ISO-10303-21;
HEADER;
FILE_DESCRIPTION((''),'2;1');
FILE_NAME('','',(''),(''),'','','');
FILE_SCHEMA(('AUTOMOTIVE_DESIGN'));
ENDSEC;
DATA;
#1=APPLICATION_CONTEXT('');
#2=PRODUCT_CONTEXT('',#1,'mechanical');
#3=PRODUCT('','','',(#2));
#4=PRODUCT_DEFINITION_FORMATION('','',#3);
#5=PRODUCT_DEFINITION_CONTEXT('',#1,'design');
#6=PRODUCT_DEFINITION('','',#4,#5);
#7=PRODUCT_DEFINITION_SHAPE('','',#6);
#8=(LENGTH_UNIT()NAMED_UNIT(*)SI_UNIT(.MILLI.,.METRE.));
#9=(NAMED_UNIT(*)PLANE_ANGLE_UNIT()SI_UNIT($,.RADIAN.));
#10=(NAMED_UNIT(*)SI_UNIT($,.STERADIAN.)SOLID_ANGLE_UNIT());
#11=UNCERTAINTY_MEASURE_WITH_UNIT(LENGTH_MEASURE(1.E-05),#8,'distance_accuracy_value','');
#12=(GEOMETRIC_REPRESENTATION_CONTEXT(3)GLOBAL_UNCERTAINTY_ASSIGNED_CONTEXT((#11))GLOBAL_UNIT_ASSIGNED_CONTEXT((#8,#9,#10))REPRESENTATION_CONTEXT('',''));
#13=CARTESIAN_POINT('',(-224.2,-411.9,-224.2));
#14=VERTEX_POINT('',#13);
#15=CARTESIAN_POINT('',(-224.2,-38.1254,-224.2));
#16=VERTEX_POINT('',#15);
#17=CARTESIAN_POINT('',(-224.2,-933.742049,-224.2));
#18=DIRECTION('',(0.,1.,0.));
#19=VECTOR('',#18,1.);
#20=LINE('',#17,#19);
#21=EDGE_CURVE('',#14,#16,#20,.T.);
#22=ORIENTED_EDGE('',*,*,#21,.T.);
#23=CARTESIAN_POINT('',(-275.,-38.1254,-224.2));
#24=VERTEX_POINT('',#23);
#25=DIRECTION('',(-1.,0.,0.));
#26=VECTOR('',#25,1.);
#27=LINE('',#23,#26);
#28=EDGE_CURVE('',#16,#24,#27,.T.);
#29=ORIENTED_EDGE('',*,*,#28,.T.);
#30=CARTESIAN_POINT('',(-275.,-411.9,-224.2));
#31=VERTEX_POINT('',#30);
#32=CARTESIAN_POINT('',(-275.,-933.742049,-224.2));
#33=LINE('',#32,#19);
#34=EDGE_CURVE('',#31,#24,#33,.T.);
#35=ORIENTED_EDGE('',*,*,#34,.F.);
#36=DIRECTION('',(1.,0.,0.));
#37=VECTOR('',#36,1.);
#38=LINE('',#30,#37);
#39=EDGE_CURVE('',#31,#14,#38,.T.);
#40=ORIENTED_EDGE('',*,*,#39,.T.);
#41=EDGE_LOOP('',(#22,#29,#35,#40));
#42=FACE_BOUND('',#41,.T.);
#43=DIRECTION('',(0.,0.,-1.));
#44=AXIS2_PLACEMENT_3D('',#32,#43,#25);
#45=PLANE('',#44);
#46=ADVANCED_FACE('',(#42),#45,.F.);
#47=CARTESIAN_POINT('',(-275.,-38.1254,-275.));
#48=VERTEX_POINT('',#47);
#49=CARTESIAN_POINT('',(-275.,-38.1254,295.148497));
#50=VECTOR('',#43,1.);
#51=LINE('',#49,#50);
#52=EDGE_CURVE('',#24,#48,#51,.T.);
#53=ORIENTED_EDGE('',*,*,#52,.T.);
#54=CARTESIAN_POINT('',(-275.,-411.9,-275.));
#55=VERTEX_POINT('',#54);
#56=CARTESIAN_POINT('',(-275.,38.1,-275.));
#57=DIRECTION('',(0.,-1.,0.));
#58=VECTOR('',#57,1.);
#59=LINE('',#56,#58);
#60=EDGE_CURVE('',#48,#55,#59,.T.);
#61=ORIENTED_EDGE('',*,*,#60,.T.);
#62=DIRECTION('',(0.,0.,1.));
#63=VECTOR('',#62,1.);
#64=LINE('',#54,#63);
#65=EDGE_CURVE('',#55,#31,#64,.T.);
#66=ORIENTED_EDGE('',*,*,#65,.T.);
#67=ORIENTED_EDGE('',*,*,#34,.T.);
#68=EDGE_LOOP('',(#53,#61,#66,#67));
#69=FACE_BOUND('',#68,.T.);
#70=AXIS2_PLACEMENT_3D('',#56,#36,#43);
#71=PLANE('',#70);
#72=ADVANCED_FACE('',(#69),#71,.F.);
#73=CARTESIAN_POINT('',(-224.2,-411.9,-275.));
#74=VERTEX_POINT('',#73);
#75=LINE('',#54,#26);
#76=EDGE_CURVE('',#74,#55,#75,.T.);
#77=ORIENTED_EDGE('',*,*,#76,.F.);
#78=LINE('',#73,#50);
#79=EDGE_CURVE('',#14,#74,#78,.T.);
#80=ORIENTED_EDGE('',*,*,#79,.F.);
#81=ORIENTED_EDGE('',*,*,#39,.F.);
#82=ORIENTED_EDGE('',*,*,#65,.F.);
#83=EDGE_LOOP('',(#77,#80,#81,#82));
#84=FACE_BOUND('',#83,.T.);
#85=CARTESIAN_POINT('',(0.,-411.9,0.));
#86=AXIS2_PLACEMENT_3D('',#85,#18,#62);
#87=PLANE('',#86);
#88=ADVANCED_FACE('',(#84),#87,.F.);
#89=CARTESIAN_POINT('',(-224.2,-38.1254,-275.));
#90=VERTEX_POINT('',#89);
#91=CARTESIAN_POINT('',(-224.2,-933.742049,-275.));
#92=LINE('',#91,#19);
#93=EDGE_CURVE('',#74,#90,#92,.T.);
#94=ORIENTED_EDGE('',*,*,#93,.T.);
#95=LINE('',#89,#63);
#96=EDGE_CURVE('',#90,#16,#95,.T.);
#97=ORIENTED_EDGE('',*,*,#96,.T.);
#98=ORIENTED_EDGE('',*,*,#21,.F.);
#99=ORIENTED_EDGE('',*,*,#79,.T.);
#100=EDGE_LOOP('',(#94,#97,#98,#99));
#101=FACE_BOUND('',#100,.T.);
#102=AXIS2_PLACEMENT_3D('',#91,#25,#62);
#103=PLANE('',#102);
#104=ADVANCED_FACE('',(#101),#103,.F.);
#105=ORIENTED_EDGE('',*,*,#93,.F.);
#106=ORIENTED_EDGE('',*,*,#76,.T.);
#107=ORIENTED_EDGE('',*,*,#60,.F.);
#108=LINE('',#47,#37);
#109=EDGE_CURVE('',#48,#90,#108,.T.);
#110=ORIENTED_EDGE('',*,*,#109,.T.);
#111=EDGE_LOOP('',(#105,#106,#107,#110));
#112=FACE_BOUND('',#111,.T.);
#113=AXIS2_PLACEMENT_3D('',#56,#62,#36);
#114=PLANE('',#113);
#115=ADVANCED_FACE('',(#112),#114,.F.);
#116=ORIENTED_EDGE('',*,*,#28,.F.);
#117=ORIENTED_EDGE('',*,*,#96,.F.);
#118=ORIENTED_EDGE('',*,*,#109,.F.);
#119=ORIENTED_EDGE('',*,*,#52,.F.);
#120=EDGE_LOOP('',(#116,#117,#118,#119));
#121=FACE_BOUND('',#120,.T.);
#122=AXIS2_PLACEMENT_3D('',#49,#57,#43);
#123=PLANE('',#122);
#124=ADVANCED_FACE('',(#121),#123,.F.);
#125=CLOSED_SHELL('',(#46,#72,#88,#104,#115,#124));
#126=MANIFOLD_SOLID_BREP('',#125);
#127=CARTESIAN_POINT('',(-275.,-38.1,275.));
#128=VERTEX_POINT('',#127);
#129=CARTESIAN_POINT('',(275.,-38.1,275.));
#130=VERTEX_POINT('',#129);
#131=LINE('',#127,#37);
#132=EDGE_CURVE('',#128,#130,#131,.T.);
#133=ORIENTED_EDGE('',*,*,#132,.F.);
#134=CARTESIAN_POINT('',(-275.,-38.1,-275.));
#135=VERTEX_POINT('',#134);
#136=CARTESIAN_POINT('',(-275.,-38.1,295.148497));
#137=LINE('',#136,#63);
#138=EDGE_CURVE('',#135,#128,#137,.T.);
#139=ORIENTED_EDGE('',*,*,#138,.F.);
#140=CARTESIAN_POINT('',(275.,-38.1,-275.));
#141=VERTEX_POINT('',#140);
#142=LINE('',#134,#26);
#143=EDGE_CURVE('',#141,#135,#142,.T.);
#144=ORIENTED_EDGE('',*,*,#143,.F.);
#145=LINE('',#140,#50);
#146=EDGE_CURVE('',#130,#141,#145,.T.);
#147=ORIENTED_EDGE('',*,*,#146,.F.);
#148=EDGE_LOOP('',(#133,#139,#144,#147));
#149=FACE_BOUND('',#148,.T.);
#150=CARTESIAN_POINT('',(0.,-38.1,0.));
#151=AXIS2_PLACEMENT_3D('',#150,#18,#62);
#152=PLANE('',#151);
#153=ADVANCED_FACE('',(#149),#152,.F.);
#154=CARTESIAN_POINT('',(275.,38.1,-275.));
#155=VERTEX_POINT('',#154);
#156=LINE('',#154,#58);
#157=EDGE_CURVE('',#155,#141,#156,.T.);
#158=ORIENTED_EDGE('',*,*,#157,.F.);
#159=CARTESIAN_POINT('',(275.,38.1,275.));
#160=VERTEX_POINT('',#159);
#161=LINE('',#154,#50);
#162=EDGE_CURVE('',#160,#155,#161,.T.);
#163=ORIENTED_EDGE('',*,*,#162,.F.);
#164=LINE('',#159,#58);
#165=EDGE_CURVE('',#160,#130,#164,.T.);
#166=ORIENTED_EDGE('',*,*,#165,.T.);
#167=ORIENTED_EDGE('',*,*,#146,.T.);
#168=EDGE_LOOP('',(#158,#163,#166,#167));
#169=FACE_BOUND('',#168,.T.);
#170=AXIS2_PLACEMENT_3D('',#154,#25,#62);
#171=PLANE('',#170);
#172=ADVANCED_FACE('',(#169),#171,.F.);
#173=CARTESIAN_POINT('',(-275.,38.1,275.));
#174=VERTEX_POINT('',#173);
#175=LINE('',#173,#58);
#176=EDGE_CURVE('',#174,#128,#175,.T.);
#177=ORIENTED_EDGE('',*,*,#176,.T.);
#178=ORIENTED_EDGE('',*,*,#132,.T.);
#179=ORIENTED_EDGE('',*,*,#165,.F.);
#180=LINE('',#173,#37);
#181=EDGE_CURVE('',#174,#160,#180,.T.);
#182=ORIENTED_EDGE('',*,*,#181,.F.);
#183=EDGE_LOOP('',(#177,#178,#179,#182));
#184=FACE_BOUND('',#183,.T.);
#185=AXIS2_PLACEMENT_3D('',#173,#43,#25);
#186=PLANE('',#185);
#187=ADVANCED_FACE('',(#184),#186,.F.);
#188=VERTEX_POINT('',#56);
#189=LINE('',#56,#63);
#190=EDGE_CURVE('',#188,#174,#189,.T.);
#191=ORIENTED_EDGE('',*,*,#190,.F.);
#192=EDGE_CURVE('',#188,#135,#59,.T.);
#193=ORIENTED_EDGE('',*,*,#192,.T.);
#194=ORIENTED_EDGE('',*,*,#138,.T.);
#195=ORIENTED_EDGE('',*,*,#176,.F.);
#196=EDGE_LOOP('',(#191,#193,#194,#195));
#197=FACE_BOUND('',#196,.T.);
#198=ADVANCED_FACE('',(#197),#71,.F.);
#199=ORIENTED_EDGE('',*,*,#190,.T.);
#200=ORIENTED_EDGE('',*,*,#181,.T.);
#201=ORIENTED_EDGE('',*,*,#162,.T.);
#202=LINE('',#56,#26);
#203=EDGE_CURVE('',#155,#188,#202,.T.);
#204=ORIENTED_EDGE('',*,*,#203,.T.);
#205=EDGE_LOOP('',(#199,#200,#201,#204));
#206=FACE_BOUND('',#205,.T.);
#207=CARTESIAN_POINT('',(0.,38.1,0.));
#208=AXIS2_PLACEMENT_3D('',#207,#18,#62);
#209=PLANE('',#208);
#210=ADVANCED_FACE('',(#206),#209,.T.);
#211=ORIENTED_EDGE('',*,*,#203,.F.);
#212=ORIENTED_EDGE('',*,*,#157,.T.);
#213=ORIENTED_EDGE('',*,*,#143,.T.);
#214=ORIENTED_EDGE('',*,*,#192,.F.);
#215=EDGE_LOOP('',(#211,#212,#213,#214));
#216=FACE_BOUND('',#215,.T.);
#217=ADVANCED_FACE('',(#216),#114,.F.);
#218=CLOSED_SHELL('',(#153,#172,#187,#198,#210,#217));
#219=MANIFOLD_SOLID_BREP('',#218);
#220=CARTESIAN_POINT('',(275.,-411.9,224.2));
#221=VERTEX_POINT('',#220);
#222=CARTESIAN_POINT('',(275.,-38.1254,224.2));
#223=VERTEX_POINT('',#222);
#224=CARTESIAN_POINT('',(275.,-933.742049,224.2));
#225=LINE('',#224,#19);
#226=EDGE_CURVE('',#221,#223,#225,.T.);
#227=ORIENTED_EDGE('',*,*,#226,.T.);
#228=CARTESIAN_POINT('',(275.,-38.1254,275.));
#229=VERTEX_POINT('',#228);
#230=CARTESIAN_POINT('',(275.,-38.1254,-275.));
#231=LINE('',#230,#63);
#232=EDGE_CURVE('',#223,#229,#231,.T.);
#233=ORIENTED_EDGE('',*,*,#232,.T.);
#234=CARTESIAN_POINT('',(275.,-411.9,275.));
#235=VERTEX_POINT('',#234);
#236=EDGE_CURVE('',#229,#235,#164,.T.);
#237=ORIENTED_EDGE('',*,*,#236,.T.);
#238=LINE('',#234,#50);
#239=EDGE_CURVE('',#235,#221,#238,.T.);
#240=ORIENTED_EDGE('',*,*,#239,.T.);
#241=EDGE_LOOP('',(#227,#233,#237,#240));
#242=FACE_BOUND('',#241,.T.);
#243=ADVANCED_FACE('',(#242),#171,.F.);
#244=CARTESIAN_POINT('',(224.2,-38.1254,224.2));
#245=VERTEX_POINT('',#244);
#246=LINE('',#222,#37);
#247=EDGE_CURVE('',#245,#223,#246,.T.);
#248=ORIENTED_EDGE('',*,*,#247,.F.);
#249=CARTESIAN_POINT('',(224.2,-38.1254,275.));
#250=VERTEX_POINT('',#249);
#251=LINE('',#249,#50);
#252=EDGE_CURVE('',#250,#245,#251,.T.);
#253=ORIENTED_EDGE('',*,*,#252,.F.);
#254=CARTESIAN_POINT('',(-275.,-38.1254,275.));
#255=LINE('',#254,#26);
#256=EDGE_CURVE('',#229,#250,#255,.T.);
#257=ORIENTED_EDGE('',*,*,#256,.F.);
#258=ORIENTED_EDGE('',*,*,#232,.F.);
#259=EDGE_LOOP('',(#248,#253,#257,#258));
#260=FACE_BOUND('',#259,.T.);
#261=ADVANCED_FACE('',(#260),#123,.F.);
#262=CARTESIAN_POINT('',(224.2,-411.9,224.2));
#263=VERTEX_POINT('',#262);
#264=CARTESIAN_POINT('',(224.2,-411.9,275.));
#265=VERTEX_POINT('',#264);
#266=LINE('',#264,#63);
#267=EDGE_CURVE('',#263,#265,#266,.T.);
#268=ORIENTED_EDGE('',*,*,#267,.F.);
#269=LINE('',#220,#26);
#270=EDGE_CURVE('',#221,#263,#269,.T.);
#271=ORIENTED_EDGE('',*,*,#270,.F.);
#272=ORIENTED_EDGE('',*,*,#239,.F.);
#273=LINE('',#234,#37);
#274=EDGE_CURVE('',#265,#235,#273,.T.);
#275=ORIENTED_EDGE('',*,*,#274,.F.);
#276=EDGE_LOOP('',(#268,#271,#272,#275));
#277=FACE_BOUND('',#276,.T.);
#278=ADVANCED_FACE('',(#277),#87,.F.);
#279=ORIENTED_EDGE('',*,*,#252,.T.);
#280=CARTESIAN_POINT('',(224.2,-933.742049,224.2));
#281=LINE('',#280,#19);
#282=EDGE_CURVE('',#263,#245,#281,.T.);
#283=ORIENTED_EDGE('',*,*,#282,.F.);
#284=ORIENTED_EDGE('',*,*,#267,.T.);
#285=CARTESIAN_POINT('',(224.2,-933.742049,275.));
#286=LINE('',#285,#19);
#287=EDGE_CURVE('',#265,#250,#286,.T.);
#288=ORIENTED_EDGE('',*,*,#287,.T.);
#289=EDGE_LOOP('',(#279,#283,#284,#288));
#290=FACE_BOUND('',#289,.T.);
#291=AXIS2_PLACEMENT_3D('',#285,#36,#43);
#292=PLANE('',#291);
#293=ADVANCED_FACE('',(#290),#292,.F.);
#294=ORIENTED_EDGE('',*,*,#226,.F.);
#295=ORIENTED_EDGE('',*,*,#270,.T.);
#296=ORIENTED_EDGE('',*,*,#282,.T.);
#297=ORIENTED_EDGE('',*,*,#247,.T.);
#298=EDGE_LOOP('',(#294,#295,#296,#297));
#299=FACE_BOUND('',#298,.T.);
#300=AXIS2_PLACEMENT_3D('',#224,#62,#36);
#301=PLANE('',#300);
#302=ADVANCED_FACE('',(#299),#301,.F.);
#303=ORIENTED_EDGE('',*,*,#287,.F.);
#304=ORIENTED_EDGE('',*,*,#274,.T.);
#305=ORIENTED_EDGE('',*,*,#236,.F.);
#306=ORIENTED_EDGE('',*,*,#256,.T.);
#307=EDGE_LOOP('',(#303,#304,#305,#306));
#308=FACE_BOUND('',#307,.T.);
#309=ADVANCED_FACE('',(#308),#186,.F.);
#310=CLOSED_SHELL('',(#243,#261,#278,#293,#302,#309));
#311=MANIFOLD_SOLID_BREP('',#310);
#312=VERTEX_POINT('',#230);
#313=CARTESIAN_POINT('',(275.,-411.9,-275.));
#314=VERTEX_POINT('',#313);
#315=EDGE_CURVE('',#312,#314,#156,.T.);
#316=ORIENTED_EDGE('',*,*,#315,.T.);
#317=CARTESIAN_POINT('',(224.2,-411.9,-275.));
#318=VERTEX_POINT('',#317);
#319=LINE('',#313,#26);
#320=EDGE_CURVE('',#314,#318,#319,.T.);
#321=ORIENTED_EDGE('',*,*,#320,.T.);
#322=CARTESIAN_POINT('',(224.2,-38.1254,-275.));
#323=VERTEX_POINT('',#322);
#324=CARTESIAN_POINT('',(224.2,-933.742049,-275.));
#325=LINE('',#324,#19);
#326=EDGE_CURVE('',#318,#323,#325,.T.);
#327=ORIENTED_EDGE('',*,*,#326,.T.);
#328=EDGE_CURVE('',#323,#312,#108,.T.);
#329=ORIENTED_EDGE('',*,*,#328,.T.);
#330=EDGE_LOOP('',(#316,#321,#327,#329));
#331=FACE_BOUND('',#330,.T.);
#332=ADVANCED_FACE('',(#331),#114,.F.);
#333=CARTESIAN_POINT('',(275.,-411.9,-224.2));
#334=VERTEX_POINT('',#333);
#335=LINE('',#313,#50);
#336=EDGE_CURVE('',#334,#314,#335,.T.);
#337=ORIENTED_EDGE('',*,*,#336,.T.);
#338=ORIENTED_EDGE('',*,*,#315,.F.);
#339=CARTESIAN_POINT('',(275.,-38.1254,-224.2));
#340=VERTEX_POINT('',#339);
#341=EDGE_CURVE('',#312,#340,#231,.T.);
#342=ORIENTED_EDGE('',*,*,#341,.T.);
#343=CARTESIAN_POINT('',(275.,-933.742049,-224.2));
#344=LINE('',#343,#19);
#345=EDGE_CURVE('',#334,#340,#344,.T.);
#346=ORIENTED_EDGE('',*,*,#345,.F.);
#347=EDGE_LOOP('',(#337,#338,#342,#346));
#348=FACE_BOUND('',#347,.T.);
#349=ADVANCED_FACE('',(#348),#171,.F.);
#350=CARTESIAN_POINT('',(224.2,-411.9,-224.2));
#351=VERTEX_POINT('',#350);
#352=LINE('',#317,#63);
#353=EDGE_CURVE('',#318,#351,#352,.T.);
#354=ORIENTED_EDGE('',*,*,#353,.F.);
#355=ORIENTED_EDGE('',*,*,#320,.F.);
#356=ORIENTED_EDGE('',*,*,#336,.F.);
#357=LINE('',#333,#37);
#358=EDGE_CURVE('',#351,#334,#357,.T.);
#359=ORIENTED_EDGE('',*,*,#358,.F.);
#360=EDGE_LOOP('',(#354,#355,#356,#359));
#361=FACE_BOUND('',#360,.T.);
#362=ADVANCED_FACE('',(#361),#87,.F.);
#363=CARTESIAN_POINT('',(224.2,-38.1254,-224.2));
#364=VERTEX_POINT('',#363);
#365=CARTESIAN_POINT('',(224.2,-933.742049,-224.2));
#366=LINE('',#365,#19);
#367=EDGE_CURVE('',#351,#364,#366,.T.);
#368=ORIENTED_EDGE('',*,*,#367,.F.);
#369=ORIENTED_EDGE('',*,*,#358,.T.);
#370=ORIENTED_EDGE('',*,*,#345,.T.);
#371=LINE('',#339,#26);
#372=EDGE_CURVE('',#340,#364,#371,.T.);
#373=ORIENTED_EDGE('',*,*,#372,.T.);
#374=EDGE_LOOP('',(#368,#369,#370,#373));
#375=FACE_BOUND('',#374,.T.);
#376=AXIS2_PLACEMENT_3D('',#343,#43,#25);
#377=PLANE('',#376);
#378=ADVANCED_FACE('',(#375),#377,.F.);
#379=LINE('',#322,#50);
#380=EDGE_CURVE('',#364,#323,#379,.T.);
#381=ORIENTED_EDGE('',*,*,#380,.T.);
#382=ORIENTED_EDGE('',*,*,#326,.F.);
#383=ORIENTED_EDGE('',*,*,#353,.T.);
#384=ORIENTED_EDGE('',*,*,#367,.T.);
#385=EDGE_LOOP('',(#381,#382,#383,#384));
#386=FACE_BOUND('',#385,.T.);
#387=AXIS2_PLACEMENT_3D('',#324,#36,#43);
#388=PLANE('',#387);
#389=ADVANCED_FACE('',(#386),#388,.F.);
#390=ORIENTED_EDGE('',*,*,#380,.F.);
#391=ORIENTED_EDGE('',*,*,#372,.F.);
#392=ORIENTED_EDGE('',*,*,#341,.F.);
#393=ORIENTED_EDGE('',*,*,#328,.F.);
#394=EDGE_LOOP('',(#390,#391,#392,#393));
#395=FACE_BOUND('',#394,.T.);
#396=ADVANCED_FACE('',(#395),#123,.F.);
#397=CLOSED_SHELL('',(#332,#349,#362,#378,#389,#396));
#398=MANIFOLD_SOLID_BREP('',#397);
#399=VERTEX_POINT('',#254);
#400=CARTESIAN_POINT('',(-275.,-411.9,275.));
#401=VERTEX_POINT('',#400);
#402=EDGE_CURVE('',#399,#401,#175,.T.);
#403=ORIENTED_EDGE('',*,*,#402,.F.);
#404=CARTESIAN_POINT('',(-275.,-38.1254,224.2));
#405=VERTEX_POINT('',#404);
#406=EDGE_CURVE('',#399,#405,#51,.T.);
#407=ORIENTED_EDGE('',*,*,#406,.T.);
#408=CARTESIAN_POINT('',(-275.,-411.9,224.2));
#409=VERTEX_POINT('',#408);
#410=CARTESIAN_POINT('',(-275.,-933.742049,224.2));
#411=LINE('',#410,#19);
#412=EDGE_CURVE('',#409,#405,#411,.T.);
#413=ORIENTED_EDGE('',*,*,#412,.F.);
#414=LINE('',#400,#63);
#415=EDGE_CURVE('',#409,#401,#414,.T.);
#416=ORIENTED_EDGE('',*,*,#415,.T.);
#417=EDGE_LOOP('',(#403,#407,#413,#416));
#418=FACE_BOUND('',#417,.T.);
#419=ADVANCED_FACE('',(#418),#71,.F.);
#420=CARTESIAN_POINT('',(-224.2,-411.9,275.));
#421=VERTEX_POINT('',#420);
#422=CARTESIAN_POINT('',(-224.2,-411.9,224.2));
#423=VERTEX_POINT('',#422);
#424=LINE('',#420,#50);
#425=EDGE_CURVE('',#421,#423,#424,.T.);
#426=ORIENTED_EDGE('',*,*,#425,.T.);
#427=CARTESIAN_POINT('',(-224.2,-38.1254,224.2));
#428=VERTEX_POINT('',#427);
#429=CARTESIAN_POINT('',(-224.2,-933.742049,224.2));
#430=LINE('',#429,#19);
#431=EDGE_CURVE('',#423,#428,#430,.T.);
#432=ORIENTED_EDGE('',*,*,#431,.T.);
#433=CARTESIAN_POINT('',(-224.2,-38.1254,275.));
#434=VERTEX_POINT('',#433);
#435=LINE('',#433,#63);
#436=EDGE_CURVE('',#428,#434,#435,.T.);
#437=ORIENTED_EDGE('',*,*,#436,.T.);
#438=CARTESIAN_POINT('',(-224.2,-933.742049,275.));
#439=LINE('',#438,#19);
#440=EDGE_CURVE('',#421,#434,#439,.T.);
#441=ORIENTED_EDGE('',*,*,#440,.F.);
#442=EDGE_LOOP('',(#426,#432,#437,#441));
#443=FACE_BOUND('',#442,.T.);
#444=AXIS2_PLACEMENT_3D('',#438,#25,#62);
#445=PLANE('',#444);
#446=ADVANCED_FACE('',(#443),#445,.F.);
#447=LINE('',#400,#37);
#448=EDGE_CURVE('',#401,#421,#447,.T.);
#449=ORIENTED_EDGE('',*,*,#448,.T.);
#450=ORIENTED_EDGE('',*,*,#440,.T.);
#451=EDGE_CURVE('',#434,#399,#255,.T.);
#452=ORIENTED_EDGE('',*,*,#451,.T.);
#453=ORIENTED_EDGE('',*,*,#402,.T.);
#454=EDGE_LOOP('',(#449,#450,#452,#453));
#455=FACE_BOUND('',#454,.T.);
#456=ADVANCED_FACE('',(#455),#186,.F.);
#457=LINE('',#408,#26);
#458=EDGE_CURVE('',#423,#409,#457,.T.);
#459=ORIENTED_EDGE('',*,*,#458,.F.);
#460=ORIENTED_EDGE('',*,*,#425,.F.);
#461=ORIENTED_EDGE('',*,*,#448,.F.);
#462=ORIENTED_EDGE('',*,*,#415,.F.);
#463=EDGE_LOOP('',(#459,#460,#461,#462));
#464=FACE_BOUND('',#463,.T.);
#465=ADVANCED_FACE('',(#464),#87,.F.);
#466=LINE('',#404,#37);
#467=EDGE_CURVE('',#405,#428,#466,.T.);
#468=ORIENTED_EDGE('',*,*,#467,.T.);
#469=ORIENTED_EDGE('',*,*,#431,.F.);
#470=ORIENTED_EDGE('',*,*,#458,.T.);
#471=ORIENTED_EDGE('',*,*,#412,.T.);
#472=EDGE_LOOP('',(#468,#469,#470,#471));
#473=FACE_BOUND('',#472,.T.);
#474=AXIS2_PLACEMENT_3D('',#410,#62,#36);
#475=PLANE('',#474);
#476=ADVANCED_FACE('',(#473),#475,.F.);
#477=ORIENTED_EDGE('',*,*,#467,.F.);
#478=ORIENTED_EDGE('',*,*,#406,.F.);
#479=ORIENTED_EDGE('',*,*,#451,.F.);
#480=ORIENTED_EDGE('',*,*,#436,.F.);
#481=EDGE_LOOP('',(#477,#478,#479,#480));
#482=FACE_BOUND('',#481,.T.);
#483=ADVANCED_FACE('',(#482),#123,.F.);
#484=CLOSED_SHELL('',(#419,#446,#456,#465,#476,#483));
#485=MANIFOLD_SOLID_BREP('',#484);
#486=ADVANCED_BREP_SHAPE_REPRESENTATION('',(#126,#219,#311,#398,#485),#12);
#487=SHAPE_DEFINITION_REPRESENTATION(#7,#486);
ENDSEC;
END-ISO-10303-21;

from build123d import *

# Parameters (mm, degrees)
SKETCH3_W               = 550
SKETCH3_H               = 550
BOSS_EXTRUDE2_DEPTH     = 38.1
SKETCH5_W               = 50.8
SKETCH5_H               = 50.8
BOSS_EXTRUDE3_DEPTH     = 373.8
CUT_EXTRUDE1_DEPTH      = 741.126077098
CUT_EXTRUDE1_DEPTH_BACK = 741.126077098
SKETCH6_W               = 655.630835137
SKETCH6_H               = 0.0254


with BuildPart() as part:
    # Sketch3 → Boss-Extrude2 (new, symmetric)
    with BuildSketch(Plane(origin=(0, 0, 0), x_dir=(1, 0, 0), z_dir=(0, 1, 0))):
        Rectangle(SKETCH3_W, SKETCH3_H)
    extrude(amount=BOSS_EXTRUDE2_DEPTH, both=True)

    # Sketch5 → Boss-Extrude3 (add)
    with BuildSketch(Plane.XZ.offset(38.1)):
        with Locations((249.6, 249.6)):
            Rectangle(SKETCH5_W, SKETCH5_H)
        with Locations((249.6, -249.6)):
            Rectangle(SKETCH5_W, SKETCH5_H)
        with Locations((-249.6, -249.6)):
            Rectangle(SKETCH5_W, SKETCH5_H)
        with Locations((-249.6, 249.6)):
            Rectangle(SKETCH5_W, SKETCH5_H)
    extrude(amount=BOSS_EXTRUDE3_DEPTH)

    # Sketch6 → Cut-Extrude1 (cut, two sides: drawn at the far end of the back side and taken through both)
    with BuildSketch(Plane(origin=(275, 0, 0), x_dir=(0, 0, -1), z_dir=(1, 0, 0)).offset(-CUT_EXTRUDE1_DEPTH_BACK)):
        with Locations((32.666920981, -38.1127)):
            Rectangle(SKETCH6_W, SKETCH6_H)
    extrude(amount=CUT_EXTRUDE1_DEPTH + CUT_EXTRUDE1_DEPTH_BACK, mode=Mode.SUBTRACT)


with BuildPart() as cut_extrude1_piece_1:
    # of the separate pieces the step leaves, piece 1, a body of its own (cut_extrude1_pieces)
    add(part.part.solids().sort_by_distance((-275, -38.1, -275))[0])


with BuildPart() as cut_extrude1_piece_2:
    # of the separate pieces the step leaves, piece 2, a body of its own (cut_extrude1_pieces)
    add(part.part.solids().sort_by_distance((275, -38.1254, 224.2))[0])


with BuildPart() as cut_extrude1_piece_3:
    # of the separate pieces the step leaves, piece 3, a body of its own (cut_extrude1_pieces)
    add(part.part.solids().sort_by_distance((-275, -411.9, 275))[0])


with BuildPart() as cut_extrude1_piece_4:
    # of the separate pieces the step leaves, piece 4, a body of its own (cut_extrude1_pieces)
    add(part.part.solids().sort_by_distance((-275, -411.9, -275))[0])


with BuildPart() as cut_extrude1_piece_5:
    # of the separate pieces the step leaves, piece 5, a body of its own (cut_extrude1_pieces)
    add(part.part.solids().sort_by_distance((224.2, -38.1254, -275))[0])


solid = Compound([cut_extrude1_piece_1.part, cut_extrude1_piece_2.part, cut_extrude1_piece_3.part, cut_extrude1_piece_4.part, cut_extrude1_piece_5.part])
